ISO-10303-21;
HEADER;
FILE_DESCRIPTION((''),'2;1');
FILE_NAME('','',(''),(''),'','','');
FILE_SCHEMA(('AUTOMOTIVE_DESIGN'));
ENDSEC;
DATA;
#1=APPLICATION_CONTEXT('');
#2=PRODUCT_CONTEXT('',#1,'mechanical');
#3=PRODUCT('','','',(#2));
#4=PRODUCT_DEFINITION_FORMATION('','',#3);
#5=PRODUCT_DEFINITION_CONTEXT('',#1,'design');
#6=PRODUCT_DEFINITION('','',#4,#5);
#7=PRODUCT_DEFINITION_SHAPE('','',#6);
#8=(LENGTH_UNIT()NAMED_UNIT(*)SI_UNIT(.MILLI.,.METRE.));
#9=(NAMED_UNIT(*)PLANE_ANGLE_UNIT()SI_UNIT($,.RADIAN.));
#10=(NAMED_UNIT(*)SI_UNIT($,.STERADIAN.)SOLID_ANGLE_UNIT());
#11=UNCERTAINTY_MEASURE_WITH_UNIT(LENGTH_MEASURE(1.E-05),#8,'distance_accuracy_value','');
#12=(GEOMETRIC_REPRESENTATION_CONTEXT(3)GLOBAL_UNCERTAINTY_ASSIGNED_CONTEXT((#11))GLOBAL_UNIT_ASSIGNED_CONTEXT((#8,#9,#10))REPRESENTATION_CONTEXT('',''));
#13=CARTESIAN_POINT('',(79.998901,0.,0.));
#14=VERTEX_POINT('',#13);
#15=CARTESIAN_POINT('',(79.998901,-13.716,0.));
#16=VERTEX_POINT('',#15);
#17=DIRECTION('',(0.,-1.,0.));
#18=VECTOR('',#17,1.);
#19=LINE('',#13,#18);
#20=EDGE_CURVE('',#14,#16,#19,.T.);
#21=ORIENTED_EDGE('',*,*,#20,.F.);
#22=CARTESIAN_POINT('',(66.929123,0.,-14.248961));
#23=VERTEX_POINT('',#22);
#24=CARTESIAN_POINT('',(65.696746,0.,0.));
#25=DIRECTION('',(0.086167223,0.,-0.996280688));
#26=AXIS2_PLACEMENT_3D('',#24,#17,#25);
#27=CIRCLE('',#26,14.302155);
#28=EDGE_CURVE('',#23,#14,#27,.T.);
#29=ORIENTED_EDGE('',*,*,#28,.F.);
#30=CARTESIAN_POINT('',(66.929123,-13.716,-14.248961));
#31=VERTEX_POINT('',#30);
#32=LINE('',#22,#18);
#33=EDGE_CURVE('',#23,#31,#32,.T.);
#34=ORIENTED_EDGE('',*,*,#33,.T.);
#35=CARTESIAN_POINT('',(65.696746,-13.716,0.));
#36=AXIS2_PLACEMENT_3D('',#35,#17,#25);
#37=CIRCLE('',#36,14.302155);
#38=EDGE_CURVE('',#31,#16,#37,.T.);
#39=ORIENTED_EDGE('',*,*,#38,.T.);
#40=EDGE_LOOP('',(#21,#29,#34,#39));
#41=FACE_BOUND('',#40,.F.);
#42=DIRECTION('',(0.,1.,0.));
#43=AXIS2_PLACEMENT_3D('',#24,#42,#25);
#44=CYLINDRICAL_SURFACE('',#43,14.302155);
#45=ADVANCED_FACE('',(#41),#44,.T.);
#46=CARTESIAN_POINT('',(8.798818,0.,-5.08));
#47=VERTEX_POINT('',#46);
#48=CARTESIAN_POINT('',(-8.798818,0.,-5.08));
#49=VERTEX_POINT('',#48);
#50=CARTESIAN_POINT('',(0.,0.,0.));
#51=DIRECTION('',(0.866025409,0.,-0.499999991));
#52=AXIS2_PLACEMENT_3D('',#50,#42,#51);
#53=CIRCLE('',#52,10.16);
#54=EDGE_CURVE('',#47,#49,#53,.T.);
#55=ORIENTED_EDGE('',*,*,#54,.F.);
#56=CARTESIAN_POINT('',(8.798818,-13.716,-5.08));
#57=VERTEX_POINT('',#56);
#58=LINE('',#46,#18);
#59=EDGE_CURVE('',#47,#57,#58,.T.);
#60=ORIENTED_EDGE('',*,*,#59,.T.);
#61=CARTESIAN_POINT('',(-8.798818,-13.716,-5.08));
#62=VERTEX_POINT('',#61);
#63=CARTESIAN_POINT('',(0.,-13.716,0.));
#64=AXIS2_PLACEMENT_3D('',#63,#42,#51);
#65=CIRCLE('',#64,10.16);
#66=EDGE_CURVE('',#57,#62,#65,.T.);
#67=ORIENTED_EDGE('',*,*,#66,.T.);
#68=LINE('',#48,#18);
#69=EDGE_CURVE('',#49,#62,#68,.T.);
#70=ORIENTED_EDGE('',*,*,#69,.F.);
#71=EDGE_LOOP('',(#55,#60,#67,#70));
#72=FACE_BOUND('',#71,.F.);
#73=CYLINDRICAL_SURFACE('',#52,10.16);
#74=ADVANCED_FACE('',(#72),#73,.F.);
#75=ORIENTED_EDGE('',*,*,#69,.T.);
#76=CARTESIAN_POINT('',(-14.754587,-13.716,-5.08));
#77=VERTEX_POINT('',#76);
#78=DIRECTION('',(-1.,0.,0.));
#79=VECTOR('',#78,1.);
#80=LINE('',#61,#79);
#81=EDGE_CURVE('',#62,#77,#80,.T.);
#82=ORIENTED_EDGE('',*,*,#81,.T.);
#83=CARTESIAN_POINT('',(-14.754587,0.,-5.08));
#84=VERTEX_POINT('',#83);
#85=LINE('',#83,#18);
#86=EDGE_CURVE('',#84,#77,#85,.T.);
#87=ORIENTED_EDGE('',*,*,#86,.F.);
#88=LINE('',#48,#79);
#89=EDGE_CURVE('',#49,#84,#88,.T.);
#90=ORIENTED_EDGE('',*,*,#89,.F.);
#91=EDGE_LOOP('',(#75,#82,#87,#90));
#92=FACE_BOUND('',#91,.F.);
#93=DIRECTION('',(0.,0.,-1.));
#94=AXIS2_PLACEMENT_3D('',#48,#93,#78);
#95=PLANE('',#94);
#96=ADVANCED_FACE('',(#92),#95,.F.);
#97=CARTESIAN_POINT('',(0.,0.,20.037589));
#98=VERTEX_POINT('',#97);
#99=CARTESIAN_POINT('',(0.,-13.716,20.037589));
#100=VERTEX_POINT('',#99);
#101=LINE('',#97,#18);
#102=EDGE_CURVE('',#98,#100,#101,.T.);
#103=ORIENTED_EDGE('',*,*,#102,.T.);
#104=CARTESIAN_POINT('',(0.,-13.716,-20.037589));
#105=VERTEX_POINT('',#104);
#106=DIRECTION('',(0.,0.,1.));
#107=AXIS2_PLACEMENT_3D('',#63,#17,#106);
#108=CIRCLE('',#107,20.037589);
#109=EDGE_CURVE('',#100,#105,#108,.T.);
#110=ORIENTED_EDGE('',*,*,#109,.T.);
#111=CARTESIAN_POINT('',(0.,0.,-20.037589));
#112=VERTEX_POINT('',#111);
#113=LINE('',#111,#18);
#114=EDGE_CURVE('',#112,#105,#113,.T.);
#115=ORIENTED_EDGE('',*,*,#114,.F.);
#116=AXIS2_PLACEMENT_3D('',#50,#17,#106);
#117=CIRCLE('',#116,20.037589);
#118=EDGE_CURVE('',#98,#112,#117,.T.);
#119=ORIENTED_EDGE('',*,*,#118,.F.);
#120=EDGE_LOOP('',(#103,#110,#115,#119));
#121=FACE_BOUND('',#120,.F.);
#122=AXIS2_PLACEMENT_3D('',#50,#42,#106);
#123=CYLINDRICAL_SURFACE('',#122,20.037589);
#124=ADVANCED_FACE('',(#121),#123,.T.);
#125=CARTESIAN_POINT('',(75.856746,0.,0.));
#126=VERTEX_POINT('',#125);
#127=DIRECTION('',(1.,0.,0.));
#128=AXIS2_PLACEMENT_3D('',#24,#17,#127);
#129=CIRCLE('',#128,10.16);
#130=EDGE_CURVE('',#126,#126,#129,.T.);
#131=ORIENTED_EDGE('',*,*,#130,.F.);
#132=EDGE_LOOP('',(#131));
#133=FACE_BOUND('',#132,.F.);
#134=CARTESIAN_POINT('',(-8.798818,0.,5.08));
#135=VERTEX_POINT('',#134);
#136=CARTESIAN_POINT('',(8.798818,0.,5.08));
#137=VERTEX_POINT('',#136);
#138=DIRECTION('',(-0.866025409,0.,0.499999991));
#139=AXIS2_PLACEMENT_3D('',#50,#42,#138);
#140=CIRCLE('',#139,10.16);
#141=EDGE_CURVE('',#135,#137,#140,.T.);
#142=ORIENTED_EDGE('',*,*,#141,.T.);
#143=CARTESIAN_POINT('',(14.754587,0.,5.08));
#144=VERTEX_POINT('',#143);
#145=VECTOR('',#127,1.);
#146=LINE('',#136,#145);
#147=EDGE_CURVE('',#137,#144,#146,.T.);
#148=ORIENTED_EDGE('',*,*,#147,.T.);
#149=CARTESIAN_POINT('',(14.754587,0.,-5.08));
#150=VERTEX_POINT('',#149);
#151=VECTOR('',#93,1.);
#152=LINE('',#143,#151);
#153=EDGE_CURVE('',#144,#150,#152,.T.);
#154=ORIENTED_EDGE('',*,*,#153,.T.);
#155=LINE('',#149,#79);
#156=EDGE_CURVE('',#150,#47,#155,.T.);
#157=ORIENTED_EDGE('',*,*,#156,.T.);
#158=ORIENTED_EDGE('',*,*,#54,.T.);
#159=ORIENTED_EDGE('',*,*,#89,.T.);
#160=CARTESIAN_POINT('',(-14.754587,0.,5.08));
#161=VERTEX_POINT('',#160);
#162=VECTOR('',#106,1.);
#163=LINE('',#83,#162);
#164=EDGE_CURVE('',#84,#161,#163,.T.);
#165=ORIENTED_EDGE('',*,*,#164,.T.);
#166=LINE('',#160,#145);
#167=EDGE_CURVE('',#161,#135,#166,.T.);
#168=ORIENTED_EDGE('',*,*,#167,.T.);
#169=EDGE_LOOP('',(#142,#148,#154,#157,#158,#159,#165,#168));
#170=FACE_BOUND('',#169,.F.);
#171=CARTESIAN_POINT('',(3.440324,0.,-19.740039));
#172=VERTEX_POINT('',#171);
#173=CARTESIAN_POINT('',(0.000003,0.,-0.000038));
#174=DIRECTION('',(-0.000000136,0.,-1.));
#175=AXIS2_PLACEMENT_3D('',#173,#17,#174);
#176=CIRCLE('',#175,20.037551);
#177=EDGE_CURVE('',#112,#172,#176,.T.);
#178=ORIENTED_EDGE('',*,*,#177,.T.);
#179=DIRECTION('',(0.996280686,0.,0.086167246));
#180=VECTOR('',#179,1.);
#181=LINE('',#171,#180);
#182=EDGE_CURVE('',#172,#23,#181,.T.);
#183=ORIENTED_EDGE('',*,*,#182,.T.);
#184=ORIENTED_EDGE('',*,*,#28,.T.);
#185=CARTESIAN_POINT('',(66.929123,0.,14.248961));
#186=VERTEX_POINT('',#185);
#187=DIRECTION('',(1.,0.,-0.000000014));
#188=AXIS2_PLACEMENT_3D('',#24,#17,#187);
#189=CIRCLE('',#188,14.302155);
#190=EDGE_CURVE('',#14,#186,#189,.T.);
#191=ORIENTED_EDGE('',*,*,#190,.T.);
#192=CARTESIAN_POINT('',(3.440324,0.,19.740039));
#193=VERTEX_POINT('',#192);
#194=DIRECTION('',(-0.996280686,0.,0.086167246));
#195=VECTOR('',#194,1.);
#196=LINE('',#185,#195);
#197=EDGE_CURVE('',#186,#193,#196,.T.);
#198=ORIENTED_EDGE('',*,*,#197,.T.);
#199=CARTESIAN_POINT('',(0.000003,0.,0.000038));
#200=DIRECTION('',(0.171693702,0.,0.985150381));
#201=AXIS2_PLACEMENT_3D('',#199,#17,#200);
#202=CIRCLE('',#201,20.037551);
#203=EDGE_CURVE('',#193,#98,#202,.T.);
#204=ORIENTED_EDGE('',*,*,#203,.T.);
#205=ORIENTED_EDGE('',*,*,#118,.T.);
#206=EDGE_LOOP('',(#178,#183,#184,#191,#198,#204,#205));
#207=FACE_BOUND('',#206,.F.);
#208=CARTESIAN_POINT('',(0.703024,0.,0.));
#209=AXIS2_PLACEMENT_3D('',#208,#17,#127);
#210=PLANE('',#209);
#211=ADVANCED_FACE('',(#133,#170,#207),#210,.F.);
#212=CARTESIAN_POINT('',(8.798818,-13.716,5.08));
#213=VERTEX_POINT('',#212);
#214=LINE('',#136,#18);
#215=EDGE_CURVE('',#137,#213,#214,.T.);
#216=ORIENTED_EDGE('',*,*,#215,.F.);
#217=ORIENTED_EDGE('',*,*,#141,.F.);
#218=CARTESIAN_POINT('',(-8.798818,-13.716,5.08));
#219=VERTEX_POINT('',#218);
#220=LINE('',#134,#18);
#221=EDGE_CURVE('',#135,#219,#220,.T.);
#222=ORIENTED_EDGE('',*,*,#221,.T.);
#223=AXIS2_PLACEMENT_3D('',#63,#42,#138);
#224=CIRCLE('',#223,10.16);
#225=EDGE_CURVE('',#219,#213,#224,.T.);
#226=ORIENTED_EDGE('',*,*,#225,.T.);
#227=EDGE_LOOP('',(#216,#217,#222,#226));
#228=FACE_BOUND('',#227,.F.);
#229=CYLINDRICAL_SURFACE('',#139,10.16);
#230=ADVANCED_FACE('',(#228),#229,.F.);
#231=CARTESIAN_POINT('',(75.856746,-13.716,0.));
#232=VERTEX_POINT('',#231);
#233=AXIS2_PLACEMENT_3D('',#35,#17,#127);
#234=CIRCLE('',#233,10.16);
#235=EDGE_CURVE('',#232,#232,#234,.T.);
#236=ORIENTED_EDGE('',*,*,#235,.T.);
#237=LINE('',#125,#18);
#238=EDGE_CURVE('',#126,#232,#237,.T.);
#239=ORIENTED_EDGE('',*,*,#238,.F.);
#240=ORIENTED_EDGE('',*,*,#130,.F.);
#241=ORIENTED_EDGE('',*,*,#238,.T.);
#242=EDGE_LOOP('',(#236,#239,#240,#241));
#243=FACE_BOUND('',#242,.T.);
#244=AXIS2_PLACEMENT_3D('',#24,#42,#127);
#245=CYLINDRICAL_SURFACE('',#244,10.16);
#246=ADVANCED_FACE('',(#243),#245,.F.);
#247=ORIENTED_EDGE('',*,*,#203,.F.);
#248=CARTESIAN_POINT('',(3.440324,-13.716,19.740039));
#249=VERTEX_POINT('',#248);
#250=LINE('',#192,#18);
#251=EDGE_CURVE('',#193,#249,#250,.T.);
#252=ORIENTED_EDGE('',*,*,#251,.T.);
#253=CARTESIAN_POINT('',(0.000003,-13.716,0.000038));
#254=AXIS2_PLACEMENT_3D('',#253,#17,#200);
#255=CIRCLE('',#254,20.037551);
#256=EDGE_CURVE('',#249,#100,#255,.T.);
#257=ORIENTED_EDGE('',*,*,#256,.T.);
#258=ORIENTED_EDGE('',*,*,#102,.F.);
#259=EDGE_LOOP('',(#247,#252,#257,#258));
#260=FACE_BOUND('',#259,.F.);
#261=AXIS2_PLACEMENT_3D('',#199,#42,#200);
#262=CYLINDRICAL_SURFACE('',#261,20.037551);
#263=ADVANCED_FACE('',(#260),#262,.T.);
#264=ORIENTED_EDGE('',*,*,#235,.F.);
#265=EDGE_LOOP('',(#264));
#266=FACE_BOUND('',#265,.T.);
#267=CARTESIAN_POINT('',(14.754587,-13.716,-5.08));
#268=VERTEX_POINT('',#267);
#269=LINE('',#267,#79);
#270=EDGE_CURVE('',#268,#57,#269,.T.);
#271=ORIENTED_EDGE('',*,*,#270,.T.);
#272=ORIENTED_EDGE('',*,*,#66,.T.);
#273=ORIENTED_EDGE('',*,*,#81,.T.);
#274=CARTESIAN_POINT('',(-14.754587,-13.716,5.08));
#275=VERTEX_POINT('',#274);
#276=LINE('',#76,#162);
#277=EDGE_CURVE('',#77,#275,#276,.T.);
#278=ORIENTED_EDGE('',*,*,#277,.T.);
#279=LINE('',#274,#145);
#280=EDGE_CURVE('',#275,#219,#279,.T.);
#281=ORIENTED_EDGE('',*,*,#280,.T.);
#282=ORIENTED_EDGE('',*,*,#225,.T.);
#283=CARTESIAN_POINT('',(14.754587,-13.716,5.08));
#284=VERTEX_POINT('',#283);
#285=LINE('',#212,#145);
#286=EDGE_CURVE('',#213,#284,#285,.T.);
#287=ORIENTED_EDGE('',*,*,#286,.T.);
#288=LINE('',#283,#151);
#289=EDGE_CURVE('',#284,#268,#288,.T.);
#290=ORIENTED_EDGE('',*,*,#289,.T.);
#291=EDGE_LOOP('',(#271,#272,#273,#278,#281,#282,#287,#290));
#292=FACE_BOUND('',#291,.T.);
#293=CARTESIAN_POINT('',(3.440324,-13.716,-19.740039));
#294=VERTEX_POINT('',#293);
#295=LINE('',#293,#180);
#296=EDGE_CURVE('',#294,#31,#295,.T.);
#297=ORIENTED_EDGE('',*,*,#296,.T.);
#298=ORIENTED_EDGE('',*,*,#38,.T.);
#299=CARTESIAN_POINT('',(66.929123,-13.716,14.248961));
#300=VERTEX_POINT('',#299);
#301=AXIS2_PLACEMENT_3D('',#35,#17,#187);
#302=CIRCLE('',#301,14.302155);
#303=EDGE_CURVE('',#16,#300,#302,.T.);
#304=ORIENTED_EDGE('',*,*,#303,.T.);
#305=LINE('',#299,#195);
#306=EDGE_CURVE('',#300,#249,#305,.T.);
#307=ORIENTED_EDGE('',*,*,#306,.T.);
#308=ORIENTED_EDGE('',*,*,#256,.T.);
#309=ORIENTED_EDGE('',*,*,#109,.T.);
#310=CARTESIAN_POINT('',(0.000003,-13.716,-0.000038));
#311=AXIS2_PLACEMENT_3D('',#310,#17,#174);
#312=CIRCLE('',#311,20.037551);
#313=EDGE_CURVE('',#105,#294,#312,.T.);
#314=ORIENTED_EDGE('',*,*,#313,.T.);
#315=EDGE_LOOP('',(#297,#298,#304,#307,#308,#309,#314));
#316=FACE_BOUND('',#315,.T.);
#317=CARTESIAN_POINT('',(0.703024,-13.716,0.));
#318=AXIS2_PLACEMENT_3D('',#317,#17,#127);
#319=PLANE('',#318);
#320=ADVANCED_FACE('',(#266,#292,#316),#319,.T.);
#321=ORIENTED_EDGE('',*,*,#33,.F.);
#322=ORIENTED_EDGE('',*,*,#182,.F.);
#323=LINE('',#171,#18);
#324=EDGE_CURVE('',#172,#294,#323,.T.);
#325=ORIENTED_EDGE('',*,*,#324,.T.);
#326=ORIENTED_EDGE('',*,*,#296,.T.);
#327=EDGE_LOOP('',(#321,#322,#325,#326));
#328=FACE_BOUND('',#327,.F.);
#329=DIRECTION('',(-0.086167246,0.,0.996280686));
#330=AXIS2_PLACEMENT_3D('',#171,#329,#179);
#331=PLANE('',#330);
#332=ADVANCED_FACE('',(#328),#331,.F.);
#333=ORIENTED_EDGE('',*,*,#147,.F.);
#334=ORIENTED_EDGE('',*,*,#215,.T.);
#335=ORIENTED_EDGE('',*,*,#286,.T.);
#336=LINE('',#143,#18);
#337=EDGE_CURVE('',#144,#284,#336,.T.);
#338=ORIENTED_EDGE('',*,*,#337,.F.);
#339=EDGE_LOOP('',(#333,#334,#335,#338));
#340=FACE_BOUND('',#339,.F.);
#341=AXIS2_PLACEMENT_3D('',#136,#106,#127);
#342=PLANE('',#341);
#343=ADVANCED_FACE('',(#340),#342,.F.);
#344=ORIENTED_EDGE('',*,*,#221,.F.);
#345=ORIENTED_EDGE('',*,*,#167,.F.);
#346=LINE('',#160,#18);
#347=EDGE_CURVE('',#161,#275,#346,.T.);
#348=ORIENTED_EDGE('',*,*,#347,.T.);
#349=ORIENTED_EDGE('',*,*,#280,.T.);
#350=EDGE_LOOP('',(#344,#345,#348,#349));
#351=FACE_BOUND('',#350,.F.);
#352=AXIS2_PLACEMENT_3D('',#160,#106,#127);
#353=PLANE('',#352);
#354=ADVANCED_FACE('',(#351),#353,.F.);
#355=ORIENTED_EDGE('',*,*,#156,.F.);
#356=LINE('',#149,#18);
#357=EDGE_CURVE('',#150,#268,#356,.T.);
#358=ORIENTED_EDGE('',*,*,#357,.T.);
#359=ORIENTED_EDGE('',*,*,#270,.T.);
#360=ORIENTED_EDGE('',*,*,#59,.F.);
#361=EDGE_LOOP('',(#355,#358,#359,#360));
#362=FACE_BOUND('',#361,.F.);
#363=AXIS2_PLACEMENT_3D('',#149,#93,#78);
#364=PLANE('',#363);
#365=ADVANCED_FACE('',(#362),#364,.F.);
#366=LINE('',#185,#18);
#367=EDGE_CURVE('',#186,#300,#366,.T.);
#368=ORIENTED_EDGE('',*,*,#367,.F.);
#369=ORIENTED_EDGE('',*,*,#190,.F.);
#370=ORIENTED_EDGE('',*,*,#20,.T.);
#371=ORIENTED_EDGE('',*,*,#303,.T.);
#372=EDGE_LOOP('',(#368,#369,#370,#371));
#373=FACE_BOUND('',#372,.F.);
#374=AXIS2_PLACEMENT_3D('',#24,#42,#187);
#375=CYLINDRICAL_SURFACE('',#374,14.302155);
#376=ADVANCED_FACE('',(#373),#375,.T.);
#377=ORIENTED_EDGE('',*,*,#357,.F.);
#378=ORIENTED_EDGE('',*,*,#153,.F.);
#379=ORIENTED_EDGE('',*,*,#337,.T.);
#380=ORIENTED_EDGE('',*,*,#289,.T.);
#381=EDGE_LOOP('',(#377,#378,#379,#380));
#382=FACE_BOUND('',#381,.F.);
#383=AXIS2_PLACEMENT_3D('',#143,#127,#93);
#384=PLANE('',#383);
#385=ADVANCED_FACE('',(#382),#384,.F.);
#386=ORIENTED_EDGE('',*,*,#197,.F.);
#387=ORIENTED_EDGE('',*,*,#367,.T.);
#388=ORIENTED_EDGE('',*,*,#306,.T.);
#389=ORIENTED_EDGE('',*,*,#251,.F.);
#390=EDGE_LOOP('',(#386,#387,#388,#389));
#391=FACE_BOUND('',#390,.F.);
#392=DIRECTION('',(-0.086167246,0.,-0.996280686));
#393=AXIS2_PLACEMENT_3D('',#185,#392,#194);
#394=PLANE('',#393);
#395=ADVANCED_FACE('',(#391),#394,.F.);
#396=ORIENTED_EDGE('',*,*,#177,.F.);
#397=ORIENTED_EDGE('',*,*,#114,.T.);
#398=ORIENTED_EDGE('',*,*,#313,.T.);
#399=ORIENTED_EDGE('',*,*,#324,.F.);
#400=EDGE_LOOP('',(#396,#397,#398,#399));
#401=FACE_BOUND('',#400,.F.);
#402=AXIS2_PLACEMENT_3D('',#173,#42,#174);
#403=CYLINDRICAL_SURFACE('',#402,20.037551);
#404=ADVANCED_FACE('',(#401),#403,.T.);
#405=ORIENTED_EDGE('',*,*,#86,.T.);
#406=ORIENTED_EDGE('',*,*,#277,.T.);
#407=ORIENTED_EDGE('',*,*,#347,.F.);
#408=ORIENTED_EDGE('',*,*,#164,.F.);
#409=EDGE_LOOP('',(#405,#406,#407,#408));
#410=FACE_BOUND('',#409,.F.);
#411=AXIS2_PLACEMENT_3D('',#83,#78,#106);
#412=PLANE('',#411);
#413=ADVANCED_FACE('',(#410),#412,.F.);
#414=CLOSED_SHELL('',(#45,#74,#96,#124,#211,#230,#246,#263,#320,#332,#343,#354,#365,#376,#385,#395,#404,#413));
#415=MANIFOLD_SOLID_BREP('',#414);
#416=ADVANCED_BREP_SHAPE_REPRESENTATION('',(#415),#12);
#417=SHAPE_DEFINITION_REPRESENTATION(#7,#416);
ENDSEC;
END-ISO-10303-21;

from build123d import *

# Parameters (mm, degrees)
F0_R     = 10.16
F1_DEPTH = 13.716


with BuildPart() as f1:
    # F0 (on Front) → F1 (new body)
    with BuildSketch(Plane.XZ):
        with BuildLine():
            Line((3.440324, 19.740039), (0, 20.037589))
            ThreePointArc((0, 20.037589), (-20.037589, 0), (0, -20.037589))
            Line((0, -20.037589), (3.440324, -19.740039))
            ThreePointArc((3.440324, -19.740039), (15.336896, -12.895138), (20.037589, 0))
            ThreePointArc((20.037589, 0), (15.336896, 12.895138), (3.440324, 19.740039))
        make_face()
        with BuildLine():
            ThreePointArc((-8.798818, 5.08), (0, 10.16), (8.798818, 5.08))
            Line((8.798818, 5.08), (14.754587, 5.08))
            Line((14.754587, 5.08), (14.754587, -5.08))
            Line((14.754587, -5.08), (8.798818, -5.08))
            ThreePointArc((8.798818, -5.08), (0, -10.16), (-8.798818, -5.08))
            Line((-8.798818, -5.08), (-14.754587, -5.08))
            Line((-14.754587, -5.08), (-14.754587, 5.08))
            Line((-14.754587, 5.08), (-8.798818, 5.08))
        make_face(mode=Mode.SUBTRACT)
        with BuildLine():
            ThreePointArc((3.440324, 19.740039), (1.726584, 19.963063), (0, 20.037589))
            Line((0, 20.037589), (3.440324, 19.740039))
        make_face()
        with BuildLine():
            Line((3.440324, -19.740039), (0, -20.037589))
            ThreePointArc((0, -20.037589), (1.726584, -19.963063), (3.440324, -19.740039))
        make_face()
        with BuildLine():
            Line((66.929123, 14.248961), (3.440324, 19.740039))
            ThreePointArc((3.440324, 19.740039), (15.336896, 12.895138), (20.037589, 0))
            ThreePointArc((20.037589, 0), (15.336896, -12.895138), (3.440324, -19.740039))
            Line((3.440324, -19.740039), (66.929123, -14.248961))
            ThreePointArc((66.929123, -14.248961), (51.394591, 0), (66.929123, 14.248961))
        make_face()
        with BuildLine():
            ThreePointArc((79.998901, 0), (76.236606, 9.667626), (66.929123, 14.248961))
            ThreePointArc((66.929123, 14.248961), (51.394591, 0), (66.929123, -14.248961))
            ThreePointArc((66.929123, -14.248961), (76.236606, -9.667626), (79.998901, 0))
        make_face()
        with Locations((65.696746, 0)):
            Circle(F0_R, mode=Mode.SUBTRACT)
    extrude(amount=F1_DEPTH)


solid = f1.part
